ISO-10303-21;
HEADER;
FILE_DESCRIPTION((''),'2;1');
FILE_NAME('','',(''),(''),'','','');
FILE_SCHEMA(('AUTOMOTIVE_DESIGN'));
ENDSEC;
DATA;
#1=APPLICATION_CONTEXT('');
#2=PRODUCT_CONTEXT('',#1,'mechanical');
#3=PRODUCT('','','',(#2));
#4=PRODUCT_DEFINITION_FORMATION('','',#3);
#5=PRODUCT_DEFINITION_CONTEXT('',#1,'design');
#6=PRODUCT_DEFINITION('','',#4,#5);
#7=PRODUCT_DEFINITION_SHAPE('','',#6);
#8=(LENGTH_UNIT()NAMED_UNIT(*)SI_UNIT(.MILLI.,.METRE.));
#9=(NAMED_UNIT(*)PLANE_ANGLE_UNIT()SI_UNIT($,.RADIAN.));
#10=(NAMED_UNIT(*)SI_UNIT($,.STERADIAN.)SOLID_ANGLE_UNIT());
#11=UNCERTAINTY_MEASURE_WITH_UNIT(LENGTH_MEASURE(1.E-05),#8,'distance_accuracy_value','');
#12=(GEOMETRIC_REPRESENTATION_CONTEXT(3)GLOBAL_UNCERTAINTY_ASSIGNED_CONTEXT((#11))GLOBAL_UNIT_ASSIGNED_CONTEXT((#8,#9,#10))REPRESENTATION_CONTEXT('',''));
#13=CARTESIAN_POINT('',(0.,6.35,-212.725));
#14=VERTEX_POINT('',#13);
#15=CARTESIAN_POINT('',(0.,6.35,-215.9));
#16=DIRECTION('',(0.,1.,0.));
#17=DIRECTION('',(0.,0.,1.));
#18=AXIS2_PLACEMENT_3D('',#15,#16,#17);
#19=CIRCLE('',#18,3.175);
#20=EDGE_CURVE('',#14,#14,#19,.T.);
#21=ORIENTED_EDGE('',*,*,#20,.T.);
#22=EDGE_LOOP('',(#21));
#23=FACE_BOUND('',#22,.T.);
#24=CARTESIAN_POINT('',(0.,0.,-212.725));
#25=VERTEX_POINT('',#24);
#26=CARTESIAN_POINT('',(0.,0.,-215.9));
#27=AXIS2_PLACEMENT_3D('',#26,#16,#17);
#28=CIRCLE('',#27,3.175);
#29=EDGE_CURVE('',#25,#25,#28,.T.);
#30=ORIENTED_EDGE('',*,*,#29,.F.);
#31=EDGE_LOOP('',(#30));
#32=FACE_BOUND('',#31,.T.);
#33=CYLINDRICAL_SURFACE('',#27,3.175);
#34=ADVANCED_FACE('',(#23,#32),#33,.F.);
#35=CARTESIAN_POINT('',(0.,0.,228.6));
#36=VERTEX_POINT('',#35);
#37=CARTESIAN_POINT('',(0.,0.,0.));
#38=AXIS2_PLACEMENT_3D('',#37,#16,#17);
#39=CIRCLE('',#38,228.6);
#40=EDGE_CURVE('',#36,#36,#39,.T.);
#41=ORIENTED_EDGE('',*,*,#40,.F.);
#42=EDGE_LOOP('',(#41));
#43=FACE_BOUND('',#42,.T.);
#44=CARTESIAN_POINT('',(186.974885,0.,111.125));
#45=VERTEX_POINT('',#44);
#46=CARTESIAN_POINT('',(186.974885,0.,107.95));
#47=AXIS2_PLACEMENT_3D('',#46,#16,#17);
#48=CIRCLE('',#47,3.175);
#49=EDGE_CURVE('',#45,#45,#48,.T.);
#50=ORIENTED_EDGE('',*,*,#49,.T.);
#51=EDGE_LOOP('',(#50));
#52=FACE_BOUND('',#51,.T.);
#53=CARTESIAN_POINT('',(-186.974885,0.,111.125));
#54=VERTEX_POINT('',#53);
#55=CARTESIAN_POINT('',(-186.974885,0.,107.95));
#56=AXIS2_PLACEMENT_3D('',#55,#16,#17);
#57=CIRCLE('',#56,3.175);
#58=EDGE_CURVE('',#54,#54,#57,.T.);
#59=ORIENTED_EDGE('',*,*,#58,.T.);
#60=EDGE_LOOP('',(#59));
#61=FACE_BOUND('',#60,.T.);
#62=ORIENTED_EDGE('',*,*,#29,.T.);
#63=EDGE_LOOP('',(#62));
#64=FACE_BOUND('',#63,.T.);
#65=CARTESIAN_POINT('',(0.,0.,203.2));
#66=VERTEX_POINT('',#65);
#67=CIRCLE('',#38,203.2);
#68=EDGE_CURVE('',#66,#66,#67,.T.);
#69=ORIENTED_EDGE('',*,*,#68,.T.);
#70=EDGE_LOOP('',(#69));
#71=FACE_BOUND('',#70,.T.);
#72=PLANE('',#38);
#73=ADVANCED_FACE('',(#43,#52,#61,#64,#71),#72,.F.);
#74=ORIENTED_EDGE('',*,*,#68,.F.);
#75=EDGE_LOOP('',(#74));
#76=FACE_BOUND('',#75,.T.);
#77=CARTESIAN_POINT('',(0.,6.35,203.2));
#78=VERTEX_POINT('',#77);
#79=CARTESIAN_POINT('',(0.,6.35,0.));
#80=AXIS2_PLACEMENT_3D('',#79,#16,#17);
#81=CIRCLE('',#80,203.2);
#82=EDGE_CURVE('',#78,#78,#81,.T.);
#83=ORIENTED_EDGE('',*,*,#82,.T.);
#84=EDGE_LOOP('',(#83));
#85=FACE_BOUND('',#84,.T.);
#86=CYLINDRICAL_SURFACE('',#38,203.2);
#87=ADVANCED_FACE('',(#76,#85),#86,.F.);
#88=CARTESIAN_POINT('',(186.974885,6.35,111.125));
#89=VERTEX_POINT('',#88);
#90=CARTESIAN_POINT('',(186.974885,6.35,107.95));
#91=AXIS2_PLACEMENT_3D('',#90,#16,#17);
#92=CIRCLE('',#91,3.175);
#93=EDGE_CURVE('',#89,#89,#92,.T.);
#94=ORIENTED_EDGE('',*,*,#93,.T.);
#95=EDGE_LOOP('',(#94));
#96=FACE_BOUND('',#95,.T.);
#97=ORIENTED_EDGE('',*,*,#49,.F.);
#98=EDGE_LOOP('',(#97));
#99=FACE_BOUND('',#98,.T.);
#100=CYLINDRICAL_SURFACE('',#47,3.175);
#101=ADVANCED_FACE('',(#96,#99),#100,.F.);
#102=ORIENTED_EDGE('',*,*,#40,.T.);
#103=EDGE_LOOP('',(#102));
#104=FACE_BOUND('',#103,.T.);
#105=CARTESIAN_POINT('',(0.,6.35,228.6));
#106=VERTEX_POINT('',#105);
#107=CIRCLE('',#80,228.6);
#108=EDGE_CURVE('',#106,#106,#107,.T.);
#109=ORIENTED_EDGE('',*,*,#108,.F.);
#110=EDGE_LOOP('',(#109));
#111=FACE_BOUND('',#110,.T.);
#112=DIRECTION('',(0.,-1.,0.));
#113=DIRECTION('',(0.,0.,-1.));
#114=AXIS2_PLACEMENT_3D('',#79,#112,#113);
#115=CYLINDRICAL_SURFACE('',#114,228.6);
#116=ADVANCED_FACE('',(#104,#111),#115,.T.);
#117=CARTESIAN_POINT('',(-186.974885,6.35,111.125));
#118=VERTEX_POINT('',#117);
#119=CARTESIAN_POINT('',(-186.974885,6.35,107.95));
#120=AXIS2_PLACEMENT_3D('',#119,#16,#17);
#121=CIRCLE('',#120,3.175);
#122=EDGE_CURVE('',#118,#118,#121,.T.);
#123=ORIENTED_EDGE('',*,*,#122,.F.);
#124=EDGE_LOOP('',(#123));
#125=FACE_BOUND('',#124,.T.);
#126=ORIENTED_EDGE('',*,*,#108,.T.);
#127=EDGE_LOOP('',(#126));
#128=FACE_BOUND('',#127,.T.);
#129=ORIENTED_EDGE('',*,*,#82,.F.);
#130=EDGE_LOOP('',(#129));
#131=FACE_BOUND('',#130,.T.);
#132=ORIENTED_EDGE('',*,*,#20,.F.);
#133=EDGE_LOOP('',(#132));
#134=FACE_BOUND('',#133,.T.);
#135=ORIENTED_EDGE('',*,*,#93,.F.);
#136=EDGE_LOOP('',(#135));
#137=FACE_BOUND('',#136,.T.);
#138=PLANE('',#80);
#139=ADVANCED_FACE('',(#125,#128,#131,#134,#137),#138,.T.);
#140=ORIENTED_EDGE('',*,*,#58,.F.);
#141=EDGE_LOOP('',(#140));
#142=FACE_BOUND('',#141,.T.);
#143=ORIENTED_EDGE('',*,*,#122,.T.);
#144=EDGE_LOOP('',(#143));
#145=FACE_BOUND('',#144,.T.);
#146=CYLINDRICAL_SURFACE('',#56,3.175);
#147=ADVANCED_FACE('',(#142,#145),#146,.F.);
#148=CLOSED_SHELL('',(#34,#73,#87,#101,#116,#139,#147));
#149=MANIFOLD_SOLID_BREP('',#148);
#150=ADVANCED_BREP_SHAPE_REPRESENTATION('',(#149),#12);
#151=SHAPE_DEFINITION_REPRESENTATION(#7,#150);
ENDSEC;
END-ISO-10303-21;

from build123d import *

# Parameters (mm, degrees)
SKETCH1_R               = 228.6
BOSS_EXTRUDE1_DEPTH     = 6.35
CUT_EXTRUDE1_DEPTH      = 324.351577234
CUT_EXTRUDE1_DEPTH_BACK = 324.351577234
SKETCH2_R               = 3.175
CUT_EXTRUDE2_DEPTH      = 324.351577234
CUT_EXTRUDE2_DEPTH_BACK = 324.351577234
SKETCH3_R               = 203.2


with BuildPart() as part:
    # Sketch1 → Boss-Extrude1 (new body)
    with BuildSketch(Plane(origin=(0, 0, 0), x_dir=(1, 0, 0), z_dir=(0, 1, 0))):
        with Locations(Location((0, 0, 0), (0, 0, 270))):
            Circle(SKETCH1_R)
    extrude(amount=BOSS_EXTRUDE1_DEPTH)

    # Sketch2 → Cut-Extrude1 (cut, two sides: drawn at the far end of the back side and taken through both)
    with BuildSketch(Plane(origin=(0, 6.35, 0), x_dir=(1, 0, 0), z_dir=(0, 1, 0)).offset(-CUT_EXTRUDE1_DEPTH_BACK)):
        with Locations(Location((0, 215.9, 0), (0, 0, 270))):
            Circle(SKETCH2_R)
        with Locations(Location((-186.974884677, -107.95, 0), (0, 0, 270))):
            Circle(SKETCH2_R)
        with Locations(Location((186.974884677, -107.95, 0), (0, 0, 270))):
            Circle(SKETCH2_R)
    extrude(amount=CUT_EXTRUDE1_DEPTH + CUT_EXTRUDE1_DEPTH_BACK, mode=Mode.SUBTRACT)

    # Sketch3 → Cut-Extrude2 (cut, two sides: drawn at the far end of the back side and taken through both)
    with BuildSketch(Plane(origin=(0, 6.35, 0), x_dir=(1, 0, 0), z_dir=(0, 1, 0)).offset(-CUT_EXTRUDE2_DEPTH_BACK)):
        with Locations(Location((0, 0, 0), (0, 0, 270))):
            Circle(SKETCH3_R)
    extrude(amount=CUT_EXTRUDE2_DEPTH + CUT_EXTRUDE2_DEPTH_BACK, mode=Mode.SUBTRACT)


solid = part.part
